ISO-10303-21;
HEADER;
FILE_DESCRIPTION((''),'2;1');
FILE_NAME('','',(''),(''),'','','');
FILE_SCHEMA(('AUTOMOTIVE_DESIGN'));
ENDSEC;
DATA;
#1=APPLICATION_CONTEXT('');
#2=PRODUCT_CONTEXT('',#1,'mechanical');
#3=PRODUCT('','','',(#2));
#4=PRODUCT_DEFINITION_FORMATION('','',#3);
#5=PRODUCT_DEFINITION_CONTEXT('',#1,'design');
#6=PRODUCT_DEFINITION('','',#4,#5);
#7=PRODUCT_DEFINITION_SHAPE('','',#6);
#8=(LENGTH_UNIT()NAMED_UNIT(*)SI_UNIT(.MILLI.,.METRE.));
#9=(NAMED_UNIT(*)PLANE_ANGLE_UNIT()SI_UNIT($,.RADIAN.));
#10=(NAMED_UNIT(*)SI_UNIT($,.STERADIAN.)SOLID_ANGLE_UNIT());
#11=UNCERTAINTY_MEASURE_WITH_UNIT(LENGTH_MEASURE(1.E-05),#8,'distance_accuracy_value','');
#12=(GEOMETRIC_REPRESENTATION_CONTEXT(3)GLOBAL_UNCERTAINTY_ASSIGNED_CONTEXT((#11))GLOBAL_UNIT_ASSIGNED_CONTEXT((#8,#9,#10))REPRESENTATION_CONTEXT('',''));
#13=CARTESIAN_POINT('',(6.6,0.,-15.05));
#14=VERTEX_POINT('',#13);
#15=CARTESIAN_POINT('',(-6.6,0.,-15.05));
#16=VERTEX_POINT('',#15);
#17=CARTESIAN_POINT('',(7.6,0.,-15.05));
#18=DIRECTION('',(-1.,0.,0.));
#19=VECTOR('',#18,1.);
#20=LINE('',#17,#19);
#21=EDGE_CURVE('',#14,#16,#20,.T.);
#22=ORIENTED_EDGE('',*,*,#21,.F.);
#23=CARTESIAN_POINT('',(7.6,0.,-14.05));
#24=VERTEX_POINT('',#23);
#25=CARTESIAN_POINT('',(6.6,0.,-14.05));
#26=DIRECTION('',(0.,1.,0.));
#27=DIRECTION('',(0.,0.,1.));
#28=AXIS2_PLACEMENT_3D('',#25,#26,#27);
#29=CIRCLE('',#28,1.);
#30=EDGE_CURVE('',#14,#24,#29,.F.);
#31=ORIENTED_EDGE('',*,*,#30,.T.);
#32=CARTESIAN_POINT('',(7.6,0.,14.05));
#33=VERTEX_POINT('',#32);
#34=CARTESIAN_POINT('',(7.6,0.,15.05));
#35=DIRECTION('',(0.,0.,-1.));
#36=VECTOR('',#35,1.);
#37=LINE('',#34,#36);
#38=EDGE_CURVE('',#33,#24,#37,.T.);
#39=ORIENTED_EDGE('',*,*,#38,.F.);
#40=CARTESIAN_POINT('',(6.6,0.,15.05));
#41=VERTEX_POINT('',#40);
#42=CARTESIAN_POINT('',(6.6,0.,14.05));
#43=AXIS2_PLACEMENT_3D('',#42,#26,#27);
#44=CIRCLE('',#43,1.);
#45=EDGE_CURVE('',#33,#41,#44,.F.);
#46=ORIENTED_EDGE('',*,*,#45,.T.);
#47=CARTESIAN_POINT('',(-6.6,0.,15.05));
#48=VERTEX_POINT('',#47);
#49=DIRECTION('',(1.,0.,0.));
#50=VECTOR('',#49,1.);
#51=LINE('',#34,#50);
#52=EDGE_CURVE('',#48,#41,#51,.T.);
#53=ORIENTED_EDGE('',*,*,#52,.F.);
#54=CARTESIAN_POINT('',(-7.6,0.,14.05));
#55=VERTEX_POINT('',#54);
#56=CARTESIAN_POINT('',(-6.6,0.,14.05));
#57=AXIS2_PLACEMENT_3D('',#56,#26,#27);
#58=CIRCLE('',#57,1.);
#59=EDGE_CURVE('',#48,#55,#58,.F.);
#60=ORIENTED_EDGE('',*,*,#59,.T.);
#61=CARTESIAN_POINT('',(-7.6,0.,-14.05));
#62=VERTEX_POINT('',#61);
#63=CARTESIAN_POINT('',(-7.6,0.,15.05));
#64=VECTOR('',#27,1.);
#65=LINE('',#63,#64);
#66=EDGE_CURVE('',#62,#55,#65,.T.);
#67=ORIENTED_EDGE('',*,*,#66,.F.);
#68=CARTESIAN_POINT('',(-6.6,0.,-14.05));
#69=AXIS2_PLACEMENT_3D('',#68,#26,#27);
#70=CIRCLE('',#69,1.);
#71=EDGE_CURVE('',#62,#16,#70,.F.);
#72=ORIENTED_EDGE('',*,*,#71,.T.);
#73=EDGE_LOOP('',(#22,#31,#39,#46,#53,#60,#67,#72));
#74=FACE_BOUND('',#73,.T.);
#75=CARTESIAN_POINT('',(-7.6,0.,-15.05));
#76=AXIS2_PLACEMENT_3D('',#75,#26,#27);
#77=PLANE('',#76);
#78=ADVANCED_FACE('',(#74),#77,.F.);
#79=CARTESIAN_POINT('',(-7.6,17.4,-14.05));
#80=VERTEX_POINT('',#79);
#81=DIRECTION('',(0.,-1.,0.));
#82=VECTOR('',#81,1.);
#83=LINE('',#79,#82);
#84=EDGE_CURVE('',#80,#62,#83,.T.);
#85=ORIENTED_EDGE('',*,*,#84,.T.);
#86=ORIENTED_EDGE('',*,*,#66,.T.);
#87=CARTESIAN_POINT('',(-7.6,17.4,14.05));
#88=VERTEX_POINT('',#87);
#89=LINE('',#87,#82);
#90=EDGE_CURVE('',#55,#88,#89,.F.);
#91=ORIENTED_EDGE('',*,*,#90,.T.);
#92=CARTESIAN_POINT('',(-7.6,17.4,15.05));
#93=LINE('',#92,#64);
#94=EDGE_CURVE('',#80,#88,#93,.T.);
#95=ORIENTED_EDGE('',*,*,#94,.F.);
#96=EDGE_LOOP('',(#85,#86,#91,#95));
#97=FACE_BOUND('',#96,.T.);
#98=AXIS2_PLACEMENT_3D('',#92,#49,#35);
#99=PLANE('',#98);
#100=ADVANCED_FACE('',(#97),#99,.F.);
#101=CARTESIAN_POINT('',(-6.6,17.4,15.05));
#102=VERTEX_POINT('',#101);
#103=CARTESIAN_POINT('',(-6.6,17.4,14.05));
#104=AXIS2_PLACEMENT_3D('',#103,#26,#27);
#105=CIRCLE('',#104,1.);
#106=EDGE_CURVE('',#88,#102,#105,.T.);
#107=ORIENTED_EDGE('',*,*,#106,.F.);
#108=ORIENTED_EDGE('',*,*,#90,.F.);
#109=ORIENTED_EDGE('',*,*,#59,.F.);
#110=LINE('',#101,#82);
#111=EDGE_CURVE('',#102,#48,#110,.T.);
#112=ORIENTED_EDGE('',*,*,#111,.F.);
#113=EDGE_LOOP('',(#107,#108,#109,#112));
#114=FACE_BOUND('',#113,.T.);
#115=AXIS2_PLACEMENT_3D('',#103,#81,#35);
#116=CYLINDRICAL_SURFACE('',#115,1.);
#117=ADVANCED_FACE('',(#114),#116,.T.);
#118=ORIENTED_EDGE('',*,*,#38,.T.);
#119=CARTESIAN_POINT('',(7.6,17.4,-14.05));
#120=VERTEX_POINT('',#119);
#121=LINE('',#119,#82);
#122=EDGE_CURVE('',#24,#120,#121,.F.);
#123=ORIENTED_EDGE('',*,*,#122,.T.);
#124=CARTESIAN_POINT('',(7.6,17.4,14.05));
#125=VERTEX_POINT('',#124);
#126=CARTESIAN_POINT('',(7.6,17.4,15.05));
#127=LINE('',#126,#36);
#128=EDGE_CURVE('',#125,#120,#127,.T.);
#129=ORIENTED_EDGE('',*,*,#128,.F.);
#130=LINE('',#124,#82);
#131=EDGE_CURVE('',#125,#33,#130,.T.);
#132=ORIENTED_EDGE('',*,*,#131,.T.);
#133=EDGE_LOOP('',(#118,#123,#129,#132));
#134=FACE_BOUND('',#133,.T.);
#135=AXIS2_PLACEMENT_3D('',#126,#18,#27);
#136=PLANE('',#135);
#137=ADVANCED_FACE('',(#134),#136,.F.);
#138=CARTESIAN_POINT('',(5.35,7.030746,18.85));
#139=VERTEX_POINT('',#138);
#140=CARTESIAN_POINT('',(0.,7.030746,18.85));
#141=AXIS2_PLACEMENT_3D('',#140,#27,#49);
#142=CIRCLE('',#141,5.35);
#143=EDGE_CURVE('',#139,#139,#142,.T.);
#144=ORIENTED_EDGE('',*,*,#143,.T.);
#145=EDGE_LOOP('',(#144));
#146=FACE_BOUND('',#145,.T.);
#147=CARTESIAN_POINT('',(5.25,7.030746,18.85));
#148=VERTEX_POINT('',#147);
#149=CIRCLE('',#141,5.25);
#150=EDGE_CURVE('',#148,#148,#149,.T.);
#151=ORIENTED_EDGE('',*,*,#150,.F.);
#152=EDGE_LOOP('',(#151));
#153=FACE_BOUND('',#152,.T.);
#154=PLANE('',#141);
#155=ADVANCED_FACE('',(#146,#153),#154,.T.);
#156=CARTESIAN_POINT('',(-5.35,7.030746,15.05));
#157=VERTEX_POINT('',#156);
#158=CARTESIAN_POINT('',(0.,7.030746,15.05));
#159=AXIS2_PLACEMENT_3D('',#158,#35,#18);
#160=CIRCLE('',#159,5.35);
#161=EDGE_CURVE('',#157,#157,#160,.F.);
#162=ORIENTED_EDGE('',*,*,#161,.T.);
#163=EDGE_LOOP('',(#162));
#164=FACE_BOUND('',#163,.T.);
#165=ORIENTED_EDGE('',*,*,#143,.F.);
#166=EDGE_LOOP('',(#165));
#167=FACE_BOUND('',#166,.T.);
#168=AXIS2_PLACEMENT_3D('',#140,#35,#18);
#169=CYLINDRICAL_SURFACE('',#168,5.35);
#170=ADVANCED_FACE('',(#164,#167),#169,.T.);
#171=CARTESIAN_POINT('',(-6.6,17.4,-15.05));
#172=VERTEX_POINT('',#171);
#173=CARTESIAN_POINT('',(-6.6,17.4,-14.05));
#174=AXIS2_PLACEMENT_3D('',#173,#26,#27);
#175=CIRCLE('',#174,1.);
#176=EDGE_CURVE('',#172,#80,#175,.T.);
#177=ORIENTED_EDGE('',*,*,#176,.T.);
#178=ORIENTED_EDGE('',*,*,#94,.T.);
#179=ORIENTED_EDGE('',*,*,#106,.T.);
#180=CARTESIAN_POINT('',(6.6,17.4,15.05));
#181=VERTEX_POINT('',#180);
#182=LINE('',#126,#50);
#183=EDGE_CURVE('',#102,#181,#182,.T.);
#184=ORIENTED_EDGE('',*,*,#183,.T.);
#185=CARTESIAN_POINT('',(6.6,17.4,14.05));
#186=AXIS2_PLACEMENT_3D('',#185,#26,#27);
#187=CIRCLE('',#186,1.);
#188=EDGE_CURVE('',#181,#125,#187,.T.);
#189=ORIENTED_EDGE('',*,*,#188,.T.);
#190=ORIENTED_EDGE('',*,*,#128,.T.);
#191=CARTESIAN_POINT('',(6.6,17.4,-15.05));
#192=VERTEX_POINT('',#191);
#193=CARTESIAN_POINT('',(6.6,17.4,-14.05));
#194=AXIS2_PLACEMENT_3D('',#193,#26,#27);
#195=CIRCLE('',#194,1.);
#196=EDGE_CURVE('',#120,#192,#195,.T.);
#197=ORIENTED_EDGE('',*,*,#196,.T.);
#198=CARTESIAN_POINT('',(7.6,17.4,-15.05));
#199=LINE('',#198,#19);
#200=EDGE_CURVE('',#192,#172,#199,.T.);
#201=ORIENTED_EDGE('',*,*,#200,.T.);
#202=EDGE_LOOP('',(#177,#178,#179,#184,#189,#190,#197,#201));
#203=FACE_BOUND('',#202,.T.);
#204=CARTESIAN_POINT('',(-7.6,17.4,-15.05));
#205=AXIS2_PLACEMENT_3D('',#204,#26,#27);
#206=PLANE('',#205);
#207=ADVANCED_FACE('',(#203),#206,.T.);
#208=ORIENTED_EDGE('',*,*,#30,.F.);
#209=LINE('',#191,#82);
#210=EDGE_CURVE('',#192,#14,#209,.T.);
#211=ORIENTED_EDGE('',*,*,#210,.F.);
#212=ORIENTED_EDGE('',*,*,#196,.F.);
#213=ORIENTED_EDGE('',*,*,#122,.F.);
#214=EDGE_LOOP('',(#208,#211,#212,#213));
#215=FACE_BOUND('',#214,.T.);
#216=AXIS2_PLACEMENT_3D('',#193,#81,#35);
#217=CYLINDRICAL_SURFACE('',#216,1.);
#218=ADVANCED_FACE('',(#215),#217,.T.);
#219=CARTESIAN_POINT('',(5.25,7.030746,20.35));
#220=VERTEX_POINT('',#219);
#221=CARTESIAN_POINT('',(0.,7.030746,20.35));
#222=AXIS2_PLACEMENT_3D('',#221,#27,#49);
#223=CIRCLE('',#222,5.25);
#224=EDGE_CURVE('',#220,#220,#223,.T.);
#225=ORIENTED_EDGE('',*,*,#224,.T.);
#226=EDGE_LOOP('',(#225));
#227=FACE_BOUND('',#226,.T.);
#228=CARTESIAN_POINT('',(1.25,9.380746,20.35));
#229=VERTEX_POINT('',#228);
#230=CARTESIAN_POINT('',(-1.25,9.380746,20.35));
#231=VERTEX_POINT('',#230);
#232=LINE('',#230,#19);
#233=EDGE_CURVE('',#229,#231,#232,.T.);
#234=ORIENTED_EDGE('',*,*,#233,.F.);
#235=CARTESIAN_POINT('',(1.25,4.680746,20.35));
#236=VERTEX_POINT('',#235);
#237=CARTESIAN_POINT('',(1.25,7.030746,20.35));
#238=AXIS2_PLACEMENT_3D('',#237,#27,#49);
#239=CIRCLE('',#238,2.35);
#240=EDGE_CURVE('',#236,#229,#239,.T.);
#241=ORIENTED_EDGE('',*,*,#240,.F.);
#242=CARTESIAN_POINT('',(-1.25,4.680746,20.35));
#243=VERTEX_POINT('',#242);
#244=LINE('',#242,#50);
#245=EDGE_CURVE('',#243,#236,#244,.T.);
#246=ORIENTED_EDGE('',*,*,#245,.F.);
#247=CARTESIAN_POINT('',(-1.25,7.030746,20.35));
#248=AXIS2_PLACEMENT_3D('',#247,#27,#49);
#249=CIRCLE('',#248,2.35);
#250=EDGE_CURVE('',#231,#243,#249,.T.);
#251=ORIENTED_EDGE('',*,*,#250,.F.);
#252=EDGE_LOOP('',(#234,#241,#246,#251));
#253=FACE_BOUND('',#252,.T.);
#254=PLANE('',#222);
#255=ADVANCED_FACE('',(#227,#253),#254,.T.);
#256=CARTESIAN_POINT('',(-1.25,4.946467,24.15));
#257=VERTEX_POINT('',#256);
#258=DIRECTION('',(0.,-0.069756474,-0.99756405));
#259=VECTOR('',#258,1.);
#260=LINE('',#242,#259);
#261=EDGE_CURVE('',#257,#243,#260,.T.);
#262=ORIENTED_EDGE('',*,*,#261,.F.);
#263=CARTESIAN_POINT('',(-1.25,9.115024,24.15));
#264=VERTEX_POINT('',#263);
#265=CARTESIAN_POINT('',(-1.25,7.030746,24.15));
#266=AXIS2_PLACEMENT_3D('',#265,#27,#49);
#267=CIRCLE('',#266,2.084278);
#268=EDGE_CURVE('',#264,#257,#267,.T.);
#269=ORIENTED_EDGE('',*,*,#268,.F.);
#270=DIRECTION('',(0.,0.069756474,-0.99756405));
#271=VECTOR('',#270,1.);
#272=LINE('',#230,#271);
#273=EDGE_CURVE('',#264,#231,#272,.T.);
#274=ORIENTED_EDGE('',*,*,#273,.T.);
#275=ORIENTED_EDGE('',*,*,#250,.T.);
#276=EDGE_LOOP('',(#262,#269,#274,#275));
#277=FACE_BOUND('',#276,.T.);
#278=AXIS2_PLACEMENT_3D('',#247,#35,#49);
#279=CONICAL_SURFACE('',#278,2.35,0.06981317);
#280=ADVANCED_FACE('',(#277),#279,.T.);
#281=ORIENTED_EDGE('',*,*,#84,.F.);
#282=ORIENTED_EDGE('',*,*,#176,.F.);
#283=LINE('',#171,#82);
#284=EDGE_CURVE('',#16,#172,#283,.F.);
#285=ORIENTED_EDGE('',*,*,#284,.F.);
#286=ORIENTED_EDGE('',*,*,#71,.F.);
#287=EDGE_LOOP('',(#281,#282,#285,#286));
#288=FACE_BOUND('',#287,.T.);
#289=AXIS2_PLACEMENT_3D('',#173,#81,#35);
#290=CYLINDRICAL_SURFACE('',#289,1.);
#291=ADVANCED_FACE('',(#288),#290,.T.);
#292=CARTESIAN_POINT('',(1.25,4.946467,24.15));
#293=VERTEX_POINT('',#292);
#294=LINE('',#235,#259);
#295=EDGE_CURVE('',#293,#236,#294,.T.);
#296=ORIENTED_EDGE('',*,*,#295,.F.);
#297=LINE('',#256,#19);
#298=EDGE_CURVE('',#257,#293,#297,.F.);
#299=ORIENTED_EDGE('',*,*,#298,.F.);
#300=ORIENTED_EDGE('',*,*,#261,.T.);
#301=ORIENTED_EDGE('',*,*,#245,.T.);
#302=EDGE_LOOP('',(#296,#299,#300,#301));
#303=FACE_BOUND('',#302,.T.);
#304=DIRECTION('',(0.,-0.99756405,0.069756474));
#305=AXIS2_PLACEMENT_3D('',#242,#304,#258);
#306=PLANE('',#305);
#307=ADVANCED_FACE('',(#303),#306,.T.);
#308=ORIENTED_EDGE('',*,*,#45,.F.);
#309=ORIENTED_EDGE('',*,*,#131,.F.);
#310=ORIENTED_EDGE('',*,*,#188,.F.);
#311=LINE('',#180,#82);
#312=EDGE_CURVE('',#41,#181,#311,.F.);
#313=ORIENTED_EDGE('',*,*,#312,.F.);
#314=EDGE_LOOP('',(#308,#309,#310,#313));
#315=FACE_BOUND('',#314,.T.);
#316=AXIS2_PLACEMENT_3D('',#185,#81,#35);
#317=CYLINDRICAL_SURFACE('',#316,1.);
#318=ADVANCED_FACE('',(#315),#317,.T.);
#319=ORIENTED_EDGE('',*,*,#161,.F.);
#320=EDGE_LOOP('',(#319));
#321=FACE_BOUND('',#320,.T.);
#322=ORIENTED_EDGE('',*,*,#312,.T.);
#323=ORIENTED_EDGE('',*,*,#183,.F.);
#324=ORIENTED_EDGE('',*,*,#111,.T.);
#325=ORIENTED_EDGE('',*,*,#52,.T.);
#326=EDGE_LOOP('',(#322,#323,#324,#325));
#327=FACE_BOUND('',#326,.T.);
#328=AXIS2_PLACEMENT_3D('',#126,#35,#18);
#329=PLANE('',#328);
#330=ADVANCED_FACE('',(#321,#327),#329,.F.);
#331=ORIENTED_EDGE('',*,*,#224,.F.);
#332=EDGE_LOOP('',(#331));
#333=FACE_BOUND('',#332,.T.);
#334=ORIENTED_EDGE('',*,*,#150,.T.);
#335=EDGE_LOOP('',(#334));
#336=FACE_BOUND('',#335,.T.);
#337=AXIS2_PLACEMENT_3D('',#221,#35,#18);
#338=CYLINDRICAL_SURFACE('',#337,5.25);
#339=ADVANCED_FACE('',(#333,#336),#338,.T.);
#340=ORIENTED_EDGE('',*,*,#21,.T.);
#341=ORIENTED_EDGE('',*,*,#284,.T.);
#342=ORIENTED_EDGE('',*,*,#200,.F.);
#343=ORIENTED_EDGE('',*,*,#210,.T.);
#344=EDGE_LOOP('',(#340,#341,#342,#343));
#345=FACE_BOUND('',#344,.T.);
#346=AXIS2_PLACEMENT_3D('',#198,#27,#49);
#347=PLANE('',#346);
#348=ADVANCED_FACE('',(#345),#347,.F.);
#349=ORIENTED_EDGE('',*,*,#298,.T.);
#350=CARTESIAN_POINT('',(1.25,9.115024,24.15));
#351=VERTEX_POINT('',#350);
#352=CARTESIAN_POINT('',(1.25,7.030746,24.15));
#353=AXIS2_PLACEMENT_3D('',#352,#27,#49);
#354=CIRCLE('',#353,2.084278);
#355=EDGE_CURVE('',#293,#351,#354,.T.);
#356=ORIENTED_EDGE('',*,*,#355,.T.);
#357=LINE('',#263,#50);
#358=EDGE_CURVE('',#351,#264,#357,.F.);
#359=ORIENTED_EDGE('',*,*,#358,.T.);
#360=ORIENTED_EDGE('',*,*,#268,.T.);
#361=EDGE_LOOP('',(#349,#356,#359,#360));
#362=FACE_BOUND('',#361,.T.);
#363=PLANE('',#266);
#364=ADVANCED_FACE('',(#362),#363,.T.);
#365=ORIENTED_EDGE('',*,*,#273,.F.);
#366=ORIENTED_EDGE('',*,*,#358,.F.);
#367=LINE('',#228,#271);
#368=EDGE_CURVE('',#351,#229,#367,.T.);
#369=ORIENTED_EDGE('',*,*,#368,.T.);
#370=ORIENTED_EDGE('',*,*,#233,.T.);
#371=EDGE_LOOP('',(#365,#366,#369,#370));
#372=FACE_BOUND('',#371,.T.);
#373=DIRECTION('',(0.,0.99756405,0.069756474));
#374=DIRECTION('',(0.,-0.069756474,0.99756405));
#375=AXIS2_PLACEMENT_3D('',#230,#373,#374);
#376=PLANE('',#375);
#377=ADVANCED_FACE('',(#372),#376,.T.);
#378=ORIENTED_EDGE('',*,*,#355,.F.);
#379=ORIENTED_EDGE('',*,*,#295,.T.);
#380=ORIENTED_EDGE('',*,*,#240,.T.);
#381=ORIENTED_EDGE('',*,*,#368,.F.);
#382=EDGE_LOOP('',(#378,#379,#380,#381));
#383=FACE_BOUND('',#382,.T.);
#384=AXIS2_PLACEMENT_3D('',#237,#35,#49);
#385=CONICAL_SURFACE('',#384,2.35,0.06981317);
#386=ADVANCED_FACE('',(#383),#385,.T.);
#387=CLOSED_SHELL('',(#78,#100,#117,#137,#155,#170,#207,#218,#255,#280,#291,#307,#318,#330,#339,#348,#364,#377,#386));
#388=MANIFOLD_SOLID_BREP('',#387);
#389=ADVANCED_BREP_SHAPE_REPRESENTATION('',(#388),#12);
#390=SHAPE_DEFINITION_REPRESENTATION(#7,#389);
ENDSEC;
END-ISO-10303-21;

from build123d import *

# Parameters (mm, degrees)
SKETCH1_W           = 15.2
SKETCH1_H           = 30.1
BOSS_EXTRUDE1_DEPTH = 17.4
FILLET1_R           = 1
SKETCH3_R           = 5.35
BOSS_EXTRUDE2_DEPTH = 3.8
SKETCH4_R           = 5.25
BOSS_EXTRUDE3_DEPTH = 1.5
BOSS_EXTRUDE4_DEPTH = 3.8
BOSS_EXTRUDE4_TAPER = 4


with BuildPart() as part:
    # Sketch1 → Boss-Extrude1 (new body)
    with BuildSketch(Plane(origin=(0, 0, 0), x_dir=(1, 0, 0), z_dir=(0, 1, 0))):
        Rectangle(SKETCH1_W, SKETCH1_H)
    extrude(amount=BOSS_EXTRUDE1_DEPTH)

    # Fillet1
    fillet1_edges = [part.edges().sort_by_distance(p)[0] for p in [
        (-7.6, 8.7, -15.05),
        (7.6, 8.7, -15.05),
        (7.6, 8.7, 15.05),
        (-7.6, 8.7, 15.05),
    ]]
    fillet(fillet1_edges, radius=FILLET1_R)

    # Sketch3 → Boss-Extrude2 (add)
    with BuildSketch(Plane.XY.offset(15.05)):
        with Locations((0, 7.030745518)):
            Circle(SKETCH3_R)
    extrude(amount=BOSS_EXTRUDE2_DEPTH)

    # Sketch4 → Boss-Extrude3 (add)
    with BuildSketch(Plane.XY.offset(18.85)):
        with Locations((0, 7.030745518)):
            Circle(SKETCH4_R)
    extrude(amount=BOSS_EXTRUDE3_DEPTH)

    # Sketch5 → Boss-Extrude4 (add)
    with BuildSketch(Plane.XY.offset(20.35)):
        with BuildLine():
            ThreePointArc((-1.25, 9.380745518), (-3.6, 7.030745518), (-1.25, 4.680745518))
            Line((-1.25, 4.680745518), (1.25, 4.680745518))
            ThreePointArc((1.25, 4.680745518), (3.6, 7.030745518), (1.25, 9.380745518))
            Line((1.25, 9.380745518), (-1.25, 9.380745518))
        make_face()
    extrude(amount=BOSS_EXTRUDE4_DEPTH, taper=BOSS_EXTRUDE4_TAPER)


solid = part.part
